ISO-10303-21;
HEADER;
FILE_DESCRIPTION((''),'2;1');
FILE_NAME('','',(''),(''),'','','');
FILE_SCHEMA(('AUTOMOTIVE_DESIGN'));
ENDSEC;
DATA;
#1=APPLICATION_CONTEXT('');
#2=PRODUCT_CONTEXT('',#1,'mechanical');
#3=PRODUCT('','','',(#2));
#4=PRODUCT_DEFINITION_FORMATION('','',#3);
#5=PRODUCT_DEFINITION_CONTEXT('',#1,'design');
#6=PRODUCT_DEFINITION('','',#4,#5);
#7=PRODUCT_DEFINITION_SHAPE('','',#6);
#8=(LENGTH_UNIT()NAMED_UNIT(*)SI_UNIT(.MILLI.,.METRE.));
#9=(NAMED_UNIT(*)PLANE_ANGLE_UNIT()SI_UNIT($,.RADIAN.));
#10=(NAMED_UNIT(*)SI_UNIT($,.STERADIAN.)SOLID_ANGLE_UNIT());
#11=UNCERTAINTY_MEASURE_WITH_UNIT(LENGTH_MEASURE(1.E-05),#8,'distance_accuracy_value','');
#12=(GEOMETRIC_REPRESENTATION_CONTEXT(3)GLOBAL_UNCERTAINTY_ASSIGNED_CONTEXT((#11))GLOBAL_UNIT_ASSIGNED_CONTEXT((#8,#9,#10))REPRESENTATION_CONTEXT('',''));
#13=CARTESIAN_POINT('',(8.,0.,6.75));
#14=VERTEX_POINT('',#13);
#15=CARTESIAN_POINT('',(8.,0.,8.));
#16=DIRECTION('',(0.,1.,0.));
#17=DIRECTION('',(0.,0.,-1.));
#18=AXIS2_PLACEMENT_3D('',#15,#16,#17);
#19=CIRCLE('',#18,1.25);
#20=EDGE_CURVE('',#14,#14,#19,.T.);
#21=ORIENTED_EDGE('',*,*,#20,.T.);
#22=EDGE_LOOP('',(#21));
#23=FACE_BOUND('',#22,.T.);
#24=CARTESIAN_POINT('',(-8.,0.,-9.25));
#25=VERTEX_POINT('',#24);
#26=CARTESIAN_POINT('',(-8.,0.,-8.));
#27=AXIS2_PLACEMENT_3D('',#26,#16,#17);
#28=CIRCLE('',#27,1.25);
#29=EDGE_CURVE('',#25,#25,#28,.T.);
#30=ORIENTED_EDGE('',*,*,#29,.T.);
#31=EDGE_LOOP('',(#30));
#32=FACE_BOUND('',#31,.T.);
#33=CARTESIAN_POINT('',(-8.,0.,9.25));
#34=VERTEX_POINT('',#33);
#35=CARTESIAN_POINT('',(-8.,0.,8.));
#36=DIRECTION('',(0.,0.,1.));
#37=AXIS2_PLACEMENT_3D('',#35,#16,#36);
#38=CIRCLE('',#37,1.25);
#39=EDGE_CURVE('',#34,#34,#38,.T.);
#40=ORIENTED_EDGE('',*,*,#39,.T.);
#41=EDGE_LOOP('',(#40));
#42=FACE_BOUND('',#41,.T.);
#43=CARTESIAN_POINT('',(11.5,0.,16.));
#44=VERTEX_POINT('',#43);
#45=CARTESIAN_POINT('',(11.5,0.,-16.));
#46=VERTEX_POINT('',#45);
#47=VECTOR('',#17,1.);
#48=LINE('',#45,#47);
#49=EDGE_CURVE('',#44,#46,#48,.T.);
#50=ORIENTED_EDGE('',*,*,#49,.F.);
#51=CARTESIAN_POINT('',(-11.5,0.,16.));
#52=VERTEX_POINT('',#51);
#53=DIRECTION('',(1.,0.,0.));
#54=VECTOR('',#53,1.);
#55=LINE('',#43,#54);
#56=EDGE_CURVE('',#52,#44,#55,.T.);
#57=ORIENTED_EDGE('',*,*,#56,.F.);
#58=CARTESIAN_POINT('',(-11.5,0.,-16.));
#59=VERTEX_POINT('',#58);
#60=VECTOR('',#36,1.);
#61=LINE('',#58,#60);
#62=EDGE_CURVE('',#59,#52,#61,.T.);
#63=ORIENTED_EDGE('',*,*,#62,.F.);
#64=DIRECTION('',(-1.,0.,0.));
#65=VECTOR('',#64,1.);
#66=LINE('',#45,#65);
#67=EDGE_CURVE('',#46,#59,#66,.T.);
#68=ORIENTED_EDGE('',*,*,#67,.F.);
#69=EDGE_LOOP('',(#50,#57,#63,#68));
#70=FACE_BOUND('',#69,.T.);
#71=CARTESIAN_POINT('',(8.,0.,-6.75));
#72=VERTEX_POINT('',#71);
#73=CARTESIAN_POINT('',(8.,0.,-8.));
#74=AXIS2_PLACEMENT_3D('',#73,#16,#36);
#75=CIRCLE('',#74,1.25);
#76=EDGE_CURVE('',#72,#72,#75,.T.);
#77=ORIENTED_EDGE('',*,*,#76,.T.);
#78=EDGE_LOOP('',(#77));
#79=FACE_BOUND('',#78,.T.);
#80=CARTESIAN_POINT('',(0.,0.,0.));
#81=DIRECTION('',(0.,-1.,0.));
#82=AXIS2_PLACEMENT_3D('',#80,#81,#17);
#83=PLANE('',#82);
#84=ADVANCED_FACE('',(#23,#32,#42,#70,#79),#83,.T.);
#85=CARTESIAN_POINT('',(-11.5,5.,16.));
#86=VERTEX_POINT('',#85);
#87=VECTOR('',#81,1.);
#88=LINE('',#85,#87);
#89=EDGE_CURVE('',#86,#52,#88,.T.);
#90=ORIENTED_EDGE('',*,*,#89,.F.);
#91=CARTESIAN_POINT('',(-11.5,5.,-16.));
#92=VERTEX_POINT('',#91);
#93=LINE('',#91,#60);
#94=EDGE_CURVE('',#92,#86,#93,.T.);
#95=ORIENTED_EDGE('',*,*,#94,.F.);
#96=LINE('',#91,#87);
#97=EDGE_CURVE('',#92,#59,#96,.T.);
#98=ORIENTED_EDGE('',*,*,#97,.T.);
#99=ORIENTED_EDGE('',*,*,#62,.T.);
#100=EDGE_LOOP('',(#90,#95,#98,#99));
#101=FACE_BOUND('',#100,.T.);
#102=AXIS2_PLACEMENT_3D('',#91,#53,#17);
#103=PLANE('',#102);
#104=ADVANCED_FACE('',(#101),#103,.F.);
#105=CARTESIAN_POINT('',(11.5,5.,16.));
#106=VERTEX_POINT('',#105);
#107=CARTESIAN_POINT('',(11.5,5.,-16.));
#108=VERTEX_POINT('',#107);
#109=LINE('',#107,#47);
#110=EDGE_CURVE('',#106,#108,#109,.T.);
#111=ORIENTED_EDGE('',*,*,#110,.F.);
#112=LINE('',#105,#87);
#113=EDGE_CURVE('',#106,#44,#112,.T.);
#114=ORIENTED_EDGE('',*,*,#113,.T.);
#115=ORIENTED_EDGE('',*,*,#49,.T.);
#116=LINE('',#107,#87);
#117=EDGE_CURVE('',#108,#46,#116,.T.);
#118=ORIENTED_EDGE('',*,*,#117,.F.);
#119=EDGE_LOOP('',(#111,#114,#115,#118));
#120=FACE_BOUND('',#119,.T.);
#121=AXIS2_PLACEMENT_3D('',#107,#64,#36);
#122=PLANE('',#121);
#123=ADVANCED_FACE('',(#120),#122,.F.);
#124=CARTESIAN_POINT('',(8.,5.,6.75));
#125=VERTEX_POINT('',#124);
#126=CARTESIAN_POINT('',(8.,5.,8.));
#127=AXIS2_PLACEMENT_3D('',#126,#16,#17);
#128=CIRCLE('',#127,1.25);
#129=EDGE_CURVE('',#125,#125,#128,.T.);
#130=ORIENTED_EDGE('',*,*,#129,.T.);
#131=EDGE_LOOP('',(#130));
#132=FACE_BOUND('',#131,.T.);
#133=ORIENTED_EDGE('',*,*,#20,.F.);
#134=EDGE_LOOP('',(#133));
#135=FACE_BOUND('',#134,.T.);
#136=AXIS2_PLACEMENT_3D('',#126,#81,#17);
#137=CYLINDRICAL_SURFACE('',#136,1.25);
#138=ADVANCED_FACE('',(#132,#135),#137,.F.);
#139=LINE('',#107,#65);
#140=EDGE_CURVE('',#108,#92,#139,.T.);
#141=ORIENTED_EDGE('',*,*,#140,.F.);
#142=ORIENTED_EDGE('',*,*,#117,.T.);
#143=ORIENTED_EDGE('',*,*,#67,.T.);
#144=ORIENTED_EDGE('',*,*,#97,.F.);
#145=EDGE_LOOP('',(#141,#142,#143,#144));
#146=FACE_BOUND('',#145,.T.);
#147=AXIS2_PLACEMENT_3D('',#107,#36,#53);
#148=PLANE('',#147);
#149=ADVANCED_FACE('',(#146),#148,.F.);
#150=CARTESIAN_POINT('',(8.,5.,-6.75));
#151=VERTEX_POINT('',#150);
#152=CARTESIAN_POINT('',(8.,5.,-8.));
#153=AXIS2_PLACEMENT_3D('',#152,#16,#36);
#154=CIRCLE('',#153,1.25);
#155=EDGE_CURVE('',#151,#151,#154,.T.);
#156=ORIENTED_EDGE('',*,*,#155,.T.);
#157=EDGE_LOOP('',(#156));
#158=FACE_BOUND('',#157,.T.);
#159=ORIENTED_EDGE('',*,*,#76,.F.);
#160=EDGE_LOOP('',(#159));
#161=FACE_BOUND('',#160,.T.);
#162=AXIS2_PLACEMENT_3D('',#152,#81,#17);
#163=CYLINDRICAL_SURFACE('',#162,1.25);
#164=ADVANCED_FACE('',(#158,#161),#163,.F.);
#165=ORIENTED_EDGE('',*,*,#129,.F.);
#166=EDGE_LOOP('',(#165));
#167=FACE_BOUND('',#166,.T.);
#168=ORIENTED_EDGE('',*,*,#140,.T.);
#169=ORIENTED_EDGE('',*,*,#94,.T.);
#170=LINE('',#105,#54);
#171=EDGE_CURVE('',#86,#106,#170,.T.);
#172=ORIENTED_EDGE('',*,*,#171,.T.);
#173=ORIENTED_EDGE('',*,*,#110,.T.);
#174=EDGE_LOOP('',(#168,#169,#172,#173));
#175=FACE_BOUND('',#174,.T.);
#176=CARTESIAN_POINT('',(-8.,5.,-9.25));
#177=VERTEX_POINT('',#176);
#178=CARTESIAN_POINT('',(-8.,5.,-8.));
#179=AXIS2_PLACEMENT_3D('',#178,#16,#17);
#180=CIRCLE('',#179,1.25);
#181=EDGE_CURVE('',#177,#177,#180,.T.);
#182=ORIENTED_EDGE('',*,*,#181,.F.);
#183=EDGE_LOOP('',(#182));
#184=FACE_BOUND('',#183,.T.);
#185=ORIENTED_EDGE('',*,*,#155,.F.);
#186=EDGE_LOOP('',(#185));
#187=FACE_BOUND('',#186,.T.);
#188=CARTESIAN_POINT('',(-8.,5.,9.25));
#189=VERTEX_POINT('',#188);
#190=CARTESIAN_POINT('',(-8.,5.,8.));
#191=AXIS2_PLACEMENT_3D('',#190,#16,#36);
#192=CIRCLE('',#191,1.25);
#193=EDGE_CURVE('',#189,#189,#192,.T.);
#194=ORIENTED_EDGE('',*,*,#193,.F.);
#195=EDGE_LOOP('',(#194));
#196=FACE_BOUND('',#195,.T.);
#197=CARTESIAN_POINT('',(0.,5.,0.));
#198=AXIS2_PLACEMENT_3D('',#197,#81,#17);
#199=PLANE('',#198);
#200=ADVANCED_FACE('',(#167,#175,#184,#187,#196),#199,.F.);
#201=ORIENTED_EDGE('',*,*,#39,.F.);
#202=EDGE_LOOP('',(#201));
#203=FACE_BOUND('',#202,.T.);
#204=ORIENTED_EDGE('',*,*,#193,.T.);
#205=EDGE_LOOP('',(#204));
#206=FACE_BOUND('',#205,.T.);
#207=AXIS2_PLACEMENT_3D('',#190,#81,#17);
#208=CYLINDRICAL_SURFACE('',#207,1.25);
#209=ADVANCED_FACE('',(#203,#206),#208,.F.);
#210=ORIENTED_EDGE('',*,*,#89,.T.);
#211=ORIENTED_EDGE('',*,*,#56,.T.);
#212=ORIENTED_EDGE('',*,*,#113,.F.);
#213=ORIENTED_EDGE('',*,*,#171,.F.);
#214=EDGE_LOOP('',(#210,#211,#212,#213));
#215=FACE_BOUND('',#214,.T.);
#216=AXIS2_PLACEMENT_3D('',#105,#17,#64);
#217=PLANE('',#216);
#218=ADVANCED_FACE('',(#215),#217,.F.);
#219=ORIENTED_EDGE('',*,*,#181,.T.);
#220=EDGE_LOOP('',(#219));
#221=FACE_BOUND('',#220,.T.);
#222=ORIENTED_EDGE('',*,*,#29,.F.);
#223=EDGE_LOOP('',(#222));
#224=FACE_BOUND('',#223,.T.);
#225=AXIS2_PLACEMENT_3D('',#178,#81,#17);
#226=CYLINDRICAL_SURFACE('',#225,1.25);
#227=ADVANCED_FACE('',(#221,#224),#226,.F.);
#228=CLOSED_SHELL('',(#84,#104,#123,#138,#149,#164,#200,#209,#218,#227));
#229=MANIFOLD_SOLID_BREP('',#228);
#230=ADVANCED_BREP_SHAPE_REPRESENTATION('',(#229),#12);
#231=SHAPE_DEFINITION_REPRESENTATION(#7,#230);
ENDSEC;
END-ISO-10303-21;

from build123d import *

# Parameters (mm, degrees)
SKETCH_1_W      = 23
SKETCH_1_H      = 32
SKETCH_1_R      = 1.25
EXTRUDE_1_DEPTH = 5


with BuildPart() as part:
    # 草图1 → 凸台-拉伸1 (new body)
    with BuildSketch(Plane(origin=(0, 0, 0), x_dir=(1, 0, 0), z_dir=(0, 1, 0))):
        Rectangle(SKETCH_1_W, SKETCH_1_H)
        with Locations(Location((-8, -8, 0), (0, 0, 270))):
            Circle(SKETCH_1_R, mode=Mode.SUBTRACT)
        with Locations(Location((-8, 8, 0), (0, 0, 90))):
            Circle(SKETCH_1_R, mode=Mode.SUBTRACT)
        with Locations(Location((8, 8, 0), (0, 0, 270))):
            Circle(SKETCH_1_R, mode=Mode.SUBTRACT)
        with Locations(Location((8, -8, 0), (0, 0, 90))):
            Circle(SKETCH_1_R, mode=Mode.SUBTRACT)
    extrude(amount=EXTRUDE_1_DEPTH)


solid = part.part
